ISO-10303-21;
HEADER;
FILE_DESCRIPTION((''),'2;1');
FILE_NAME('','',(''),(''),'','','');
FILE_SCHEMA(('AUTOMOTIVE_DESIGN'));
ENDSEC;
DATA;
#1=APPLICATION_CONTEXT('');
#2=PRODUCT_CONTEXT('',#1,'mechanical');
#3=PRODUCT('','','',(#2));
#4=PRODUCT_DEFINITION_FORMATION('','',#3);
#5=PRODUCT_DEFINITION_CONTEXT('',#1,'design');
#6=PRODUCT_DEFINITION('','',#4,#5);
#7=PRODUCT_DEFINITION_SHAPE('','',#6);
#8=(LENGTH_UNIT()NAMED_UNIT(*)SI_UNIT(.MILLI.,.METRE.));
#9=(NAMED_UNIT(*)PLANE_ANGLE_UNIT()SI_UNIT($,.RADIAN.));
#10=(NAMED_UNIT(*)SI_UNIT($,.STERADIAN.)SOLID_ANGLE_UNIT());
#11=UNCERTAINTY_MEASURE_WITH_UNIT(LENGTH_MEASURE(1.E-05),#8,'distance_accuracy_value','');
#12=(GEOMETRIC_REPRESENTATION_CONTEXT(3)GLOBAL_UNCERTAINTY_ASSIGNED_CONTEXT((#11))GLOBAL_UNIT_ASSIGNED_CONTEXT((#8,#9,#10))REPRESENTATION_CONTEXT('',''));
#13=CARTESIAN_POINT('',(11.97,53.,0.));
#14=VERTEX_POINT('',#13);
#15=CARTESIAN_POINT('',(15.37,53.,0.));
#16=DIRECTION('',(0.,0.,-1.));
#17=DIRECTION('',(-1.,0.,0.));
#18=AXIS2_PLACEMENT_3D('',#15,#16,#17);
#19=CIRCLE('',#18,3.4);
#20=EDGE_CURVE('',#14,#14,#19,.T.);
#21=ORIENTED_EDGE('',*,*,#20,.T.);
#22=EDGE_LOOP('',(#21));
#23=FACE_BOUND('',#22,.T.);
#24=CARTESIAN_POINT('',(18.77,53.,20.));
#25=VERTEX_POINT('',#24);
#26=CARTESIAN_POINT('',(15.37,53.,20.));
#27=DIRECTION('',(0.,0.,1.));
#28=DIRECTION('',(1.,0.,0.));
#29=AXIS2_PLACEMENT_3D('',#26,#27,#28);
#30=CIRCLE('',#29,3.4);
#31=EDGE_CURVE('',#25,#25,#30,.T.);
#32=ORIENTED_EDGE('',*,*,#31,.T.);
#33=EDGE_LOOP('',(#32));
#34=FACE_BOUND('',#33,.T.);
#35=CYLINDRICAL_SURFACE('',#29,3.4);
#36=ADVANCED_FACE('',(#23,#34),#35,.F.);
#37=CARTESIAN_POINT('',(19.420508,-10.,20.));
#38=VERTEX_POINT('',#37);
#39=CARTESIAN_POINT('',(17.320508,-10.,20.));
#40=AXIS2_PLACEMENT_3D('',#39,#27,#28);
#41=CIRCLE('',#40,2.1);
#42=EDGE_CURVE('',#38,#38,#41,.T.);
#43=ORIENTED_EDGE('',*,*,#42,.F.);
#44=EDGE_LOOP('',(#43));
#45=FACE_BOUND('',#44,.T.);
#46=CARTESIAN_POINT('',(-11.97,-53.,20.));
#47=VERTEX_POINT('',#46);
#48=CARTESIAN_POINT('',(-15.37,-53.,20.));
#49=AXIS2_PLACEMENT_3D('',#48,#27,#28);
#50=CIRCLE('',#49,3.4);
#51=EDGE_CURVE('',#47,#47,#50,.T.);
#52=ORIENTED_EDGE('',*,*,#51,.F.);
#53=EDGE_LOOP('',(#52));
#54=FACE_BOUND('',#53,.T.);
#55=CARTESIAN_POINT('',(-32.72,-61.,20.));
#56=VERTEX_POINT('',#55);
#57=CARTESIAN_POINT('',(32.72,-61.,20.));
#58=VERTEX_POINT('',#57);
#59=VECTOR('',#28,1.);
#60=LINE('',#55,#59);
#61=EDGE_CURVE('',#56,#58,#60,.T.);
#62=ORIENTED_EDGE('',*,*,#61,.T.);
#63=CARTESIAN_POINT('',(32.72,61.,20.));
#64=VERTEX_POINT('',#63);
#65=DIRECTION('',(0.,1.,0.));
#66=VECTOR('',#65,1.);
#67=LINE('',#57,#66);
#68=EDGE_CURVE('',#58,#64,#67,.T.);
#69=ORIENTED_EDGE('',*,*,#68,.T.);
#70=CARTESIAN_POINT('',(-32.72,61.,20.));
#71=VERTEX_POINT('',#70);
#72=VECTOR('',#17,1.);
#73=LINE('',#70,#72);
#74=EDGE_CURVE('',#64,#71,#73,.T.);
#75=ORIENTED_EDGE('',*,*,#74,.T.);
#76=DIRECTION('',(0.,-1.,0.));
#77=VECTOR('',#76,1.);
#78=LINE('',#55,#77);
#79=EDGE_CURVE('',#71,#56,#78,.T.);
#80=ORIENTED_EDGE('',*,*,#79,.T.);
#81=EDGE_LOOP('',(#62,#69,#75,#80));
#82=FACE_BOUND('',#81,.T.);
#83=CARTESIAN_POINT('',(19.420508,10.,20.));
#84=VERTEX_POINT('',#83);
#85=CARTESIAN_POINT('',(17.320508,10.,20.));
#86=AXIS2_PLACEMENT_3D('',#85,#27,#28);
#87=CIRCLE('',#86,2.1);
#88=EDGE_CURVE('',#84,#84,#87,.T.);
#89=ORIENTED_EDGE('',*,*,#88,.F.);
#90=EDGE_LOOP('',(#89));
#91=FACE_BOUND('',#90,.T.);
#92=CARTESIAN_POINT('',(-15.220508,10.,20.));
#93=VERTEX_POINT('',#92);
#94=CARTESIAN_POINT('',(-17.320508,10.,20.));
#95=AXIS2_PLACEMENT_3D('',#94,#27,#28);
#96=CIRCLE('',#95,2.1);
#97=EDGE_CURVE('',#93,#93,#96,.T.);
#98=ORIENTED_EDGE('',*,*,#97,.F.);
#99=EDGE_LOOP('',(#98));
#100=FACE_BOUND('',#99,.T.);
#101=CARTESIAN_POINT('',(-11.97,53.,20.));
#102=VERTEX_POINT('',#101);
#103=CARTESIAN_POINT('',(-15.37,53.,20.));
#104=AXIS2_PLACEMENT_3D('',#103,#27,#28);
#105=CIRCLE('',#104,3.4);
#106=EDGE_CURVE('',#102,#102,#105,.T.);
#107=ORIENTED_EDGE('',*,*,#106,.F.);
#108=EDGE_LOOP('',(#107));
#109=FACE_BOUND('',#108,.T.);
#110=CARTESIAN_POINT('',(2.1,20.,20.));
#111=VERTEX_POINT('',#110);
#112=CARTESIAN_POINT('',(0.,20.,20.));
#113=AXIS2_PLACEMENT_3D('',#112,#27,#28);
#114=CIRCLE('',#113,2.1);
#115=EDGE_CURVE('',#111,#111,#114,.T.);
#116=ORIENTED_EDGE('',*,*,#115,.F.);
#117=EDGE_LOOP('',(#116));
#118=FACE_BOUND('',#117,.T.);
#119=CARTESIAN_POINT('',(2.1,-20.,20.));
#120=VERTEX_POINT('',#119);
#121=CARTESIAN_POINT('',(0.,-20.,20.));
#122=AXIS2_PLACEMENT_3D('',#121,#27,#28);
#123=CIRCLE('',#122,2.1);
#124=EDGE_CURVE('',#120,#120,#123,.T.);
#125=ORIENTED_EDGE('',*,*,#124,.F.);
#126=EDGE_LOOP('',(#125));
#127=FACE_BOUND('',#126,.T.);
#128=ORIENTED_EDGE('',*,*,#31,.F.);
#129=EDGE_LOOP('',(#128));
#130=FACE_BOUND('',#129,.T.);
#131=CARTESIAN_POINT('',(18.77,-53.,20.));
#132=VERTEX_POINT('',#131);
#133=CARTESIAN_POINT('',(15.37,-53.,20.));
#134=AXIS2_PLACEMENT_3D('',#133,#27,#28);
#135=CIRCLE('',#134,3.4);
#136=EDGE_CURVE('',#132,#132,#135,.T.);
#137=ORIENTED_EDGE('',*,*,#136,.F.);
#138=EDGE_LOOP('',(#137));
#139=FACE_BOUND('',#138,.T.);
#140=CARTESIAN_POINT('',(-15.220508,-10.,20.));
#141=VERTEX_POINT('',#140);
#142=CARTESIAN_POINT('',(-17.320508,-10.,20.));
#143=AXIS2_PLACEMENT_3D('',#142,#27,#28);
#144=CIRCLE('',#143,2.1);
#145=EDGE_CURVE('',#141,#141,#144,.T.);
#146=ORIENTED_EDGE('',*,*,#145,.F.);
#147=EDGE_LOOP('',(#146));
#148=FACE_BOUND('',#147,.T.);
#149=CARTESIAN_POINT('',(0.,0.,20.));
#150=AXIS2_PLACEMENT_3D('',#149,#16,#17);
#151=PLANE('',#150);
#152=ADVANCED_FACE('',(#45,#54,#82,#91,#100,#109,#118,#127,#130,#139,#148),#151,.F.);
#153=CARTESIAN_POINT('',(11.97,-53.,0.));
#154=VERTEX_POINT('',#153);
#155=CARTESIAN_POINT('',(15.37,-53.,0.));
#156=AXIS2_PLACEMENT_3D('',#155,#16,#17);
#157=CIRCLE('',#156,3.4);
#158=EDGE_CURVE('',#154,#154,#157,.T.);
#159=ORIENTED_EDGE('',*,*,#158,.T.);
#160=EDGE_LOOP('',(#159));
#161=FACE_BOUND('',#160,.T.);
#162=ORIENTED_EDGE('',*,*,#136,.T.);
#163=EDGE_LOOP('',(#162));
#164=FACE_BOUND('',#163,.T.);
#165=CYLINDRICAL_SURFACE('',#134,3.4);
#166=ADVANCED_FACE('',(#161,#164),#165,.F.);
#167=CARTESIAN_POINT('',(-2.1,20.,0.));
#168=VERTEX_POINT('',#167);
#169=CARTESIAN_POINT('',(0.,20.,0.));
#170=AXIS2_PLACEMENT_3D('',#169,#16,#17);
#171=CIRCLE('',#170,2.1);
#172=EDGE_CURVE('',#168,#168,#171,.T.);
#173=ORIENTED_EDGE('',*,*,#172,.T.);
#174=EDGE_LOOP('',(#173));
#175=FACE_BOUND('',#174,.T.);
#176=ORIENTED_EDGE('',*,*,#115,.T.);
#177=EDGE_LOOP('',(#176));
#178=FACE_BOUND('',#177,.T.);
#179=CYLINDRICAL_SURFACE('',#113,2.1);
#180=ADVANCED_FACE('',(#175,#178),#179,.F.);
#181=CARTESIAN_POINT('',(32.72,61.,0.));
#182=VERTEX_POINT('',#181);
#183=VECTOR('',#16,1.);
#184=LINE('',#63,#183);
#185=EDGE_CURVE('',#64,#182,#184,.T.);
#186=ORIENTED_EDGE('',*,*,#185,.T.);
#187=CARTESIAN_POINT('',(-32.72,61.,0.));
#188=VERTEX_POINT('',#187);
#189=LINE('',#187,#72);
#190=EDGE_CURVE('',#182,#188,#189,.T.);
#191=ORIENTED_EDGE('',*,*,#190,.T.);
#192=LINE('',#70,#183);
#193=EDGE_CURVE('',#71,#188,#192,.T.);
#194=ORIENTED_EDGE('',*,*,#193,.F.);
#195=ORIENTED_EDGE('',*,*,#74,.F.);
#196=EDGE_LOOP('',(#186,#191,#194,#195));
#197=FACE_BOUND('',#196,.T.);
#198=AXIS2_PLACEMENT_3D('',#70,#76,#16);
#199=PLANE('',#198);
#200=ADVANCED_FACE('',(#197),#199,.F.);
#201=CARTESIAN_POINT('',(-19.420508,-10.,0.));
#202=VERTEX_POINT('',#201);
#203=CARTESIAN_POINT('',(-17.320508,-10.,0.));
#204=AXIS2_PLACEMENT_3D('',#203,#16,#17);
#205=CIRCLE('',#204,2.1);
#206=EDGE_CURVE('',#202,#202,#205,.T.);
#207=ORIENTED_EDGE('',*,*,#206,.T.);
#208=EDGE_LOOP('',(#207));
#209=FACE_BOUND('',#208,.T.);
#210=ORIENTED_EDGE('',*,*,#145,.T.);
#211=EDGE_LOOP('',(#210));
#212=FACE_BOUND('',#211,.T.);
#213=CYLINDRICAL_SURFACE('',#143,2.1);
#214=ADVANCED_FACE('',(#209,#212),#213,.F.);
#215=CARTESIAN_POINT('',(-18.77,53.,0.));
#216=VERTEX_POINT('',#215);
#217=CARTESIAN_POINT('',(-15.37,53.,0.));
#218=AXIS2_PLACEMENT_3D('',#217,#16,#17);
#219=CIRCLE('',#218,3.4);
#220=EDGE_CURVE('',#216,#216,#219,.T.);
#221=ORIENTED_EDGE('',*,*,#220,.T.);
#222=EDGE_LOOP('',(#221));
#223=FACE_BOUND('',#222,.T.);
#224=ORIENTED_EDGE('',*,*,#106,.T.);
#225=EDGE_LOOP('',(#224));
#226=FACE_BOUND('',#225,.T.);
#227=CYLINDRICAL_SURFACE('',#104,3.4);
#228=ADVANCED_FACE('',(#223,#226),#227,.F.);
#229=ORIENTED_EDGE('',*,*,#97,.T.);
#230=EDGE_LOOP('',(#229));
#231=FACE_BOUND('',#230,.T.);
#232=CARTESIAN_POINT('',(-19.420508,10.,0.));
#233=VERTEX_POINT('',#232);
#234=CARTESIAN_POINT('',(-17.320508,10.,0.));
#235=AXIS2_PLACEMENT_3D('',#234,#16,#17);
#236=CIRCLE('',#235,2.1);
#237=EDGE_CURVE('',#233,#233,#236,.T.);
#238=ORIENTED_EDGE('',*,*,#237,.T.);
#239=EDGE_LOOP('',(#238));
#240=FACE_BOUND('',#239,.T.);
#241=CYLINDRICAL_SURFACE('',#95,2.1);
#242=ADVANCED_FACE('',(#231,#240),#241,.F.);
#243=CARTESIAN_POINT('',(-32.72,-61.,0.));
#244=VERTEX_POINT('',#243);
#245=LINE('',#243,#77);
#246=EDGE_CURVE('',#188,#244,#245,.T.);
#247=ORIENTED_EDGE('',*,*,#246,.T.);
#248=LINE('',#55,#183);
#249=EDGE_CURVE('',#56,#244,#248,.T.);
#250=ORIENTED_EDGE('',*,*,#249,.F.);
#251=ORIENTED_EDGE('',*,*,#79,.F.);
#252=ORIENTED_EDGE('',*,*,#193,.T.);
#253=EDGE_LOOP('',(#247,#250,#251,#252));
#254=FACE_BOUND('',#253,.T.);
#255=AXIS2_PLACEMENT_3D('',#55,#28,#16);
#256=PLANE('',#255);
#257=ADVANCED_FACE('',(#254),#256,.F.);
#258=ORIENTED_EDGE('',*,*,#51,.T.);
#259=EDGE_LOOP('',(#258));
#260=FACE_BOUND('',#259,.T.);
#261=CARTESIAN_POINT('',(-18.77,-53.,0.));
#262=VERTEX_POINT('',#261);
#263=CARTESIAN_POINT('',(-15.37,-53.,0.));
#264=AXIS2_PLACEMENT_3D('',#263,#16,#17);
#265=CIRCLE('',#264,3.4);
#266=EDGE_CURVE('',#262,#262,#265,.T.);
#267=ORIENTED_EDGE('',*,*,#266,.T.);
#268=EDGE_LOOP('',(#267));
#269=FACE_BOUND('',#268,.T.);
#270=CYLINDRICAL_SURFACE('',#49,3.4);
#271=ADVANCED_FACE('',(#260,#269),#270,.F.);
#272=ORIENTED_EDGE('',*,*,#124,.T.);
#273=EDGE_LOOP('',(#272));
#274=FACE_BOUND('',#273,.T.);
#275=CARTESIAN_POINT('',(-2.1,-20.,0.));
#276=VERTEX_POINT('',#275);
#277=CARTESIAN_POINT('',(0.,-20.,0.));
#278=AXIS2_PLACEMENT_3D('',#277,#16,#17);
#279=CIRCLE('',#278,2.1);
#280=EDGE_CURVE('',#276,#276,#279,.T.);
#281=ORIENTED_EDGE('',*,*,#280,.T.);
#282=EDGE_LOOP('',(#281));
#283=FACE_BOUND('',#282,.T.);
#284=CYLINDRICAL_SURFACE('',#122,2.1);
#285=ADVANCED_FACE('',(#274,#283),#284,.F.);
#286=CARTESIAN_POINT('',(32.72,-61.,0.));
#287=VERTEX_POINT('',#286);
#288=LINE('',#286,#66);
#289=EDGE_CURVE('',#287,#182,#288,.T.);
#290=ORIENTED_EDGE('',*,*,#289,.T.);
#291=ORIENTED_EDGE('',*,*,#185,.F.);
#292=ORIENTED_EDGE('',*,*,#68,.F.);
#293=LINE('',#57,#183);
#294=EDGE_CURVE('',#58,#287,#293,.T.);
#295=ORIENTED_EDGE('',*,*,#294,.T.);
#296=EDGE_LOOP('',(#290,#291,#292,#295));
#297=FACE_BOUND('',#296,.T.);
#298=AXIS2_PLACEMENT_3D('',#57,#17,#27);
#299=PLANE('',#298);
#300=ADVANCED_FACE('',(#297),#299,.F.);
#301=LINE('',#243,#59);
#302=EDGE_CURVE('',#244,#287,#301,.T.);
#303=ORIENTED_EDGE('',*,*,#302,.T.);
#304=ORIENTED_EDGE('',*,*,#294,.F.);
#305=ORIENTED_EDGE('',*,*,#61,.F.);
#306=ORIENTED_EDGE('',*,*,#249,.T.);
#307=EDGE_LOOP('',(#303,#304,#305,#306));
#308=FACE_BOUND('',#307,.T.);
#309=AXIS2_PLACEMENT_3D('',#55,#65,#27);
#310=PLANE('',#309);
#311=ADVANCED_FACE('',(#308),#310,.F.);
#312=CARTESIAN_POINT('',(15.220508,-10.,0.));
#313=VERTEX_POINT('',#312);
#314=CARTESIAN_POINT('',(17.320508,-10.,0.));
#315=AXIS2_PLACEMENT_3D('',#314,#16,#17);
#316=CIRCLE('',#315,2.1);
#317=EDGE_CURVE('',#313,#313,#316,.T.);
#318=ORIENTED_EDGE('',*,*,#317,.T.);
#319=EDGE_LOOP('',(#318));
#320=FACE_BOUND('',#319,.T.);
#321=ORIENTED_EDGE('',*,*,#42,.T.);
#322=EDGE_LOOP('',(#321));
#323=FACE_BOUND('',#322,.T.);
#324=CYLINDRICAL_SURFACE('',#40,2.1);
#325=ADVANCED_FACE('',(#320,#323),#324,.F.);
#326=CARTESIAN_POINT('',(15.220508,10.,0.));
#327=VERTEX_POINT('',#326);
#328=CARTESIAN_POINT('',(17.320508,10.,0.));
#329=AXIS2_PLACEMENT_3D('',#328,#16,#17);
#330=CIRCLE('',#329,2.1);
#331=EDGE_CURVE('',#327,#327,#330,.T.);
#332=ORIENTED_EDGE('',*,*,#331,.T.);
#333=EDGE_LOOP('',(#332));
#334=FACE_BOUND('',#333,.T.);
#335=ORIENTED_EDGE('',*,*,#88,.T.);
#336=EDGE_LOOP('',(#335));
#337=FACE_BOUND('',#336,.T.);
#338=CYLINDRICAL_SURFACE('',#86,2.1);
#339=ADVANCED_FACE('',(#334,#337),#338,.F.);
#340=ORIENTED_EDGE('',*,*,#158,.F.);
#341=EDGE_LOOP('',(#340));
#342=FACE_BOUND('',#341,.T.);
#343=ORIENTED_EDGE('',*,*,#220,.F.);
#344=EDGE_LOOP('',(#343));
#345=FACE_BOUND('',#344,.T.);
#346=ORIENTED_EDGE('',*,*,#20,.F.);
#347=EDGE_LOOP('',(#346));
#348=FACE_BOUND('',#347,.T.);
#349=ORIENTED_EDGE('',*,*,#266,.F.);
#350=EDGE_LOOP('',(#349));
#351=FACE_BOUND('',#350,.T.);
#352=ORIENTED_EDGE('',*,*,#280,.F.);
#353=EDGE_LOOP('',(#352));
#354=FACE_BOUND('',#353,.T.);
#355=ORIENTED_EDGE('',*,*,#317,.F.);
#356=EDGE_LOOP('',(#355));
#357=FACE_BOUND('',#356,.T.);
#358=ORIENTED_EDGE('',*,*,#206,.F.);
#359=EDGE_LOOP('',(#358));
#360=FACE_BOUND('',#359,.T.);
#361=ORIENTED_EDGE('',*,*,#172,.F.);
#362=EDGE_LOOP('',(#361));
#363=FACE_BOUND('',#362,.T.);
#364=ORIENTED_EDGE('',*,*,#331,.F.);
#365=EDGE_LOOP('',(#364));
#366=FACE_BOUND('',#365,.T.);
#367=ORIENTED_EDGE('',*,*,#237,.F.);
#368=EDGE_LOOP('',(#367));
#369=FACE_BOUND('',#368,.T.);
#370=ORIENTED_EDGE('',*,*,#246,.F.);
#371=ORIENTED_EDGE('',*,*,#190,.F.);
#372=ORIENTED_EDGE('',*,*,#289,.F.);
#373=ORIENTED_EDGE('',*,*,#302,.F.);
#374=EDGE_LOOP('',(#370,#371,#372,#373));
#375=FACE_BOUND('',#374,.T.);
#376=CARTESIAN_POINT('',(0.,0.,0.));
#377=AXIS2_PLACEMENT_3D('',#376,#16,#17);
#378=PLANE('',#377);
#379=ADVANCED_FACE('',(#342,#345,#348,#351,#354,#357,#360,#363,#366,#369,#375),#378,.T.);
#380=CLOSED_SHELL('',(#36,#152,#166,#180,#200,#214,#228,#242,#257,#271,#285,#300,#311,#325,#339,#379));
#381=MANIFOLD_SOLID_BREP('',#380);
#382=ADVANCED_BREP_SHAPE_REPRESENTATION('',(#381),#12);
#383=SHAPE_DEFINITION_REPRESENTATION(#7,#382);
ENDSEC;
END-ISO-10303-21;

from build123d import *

# Parameters (mm, degrees)
SKETCH1_W                  = 65.44
SKETCH1_H                  = 122
BOSS_EXTRUDE1_DEPTH        = 20
M5X0_8_TAPPED_HOLE1_D      = 4.2
M5X0_8_TAPPED_HOLE1_DEPTH  = 20
M8X1_25_TAPPED_HOLE1_D     = 6.8
M8X1_25_TAPPED_HOLE1_DEPTH = 20


with BuildPart() as part:
    # Sketch1 → Boss-Extrude1 (new body)
    with BuildSketch(Plane.XY):
        Rectangle(SKETCH1_W, SKETCH1_H)
    extrude(amount=BOSS_EXTRUDE1_DEPTH)

    # M5x0.8 Tapped Hole1
    with Locations(Plane.XY.offset(20)):
        with Locations((0, 20), (-17.320508076, 10), (-17.320508076, -10), (0, -20), (17.320508076, -10), (17.320508076, 10)):
            Hole(M5X0_8_TAPPED_HOLE1_D / 2, depth=M5X0_8_TAPPED_HOLE1_DEPTH)

    # M8x1.25 Tapped Hole1
    with Locations(Plane.XY.offset(20)):
        with Locations((-15.37, 53), (15.37, 53), (15.37, -53), (-15.37, -53)):
            Hole(M8X1_25_TAPPED_HOLE1_D / 2, depth=M8X1_25_TAPPED_HOLE1_DEPTH)


solid = part.part
